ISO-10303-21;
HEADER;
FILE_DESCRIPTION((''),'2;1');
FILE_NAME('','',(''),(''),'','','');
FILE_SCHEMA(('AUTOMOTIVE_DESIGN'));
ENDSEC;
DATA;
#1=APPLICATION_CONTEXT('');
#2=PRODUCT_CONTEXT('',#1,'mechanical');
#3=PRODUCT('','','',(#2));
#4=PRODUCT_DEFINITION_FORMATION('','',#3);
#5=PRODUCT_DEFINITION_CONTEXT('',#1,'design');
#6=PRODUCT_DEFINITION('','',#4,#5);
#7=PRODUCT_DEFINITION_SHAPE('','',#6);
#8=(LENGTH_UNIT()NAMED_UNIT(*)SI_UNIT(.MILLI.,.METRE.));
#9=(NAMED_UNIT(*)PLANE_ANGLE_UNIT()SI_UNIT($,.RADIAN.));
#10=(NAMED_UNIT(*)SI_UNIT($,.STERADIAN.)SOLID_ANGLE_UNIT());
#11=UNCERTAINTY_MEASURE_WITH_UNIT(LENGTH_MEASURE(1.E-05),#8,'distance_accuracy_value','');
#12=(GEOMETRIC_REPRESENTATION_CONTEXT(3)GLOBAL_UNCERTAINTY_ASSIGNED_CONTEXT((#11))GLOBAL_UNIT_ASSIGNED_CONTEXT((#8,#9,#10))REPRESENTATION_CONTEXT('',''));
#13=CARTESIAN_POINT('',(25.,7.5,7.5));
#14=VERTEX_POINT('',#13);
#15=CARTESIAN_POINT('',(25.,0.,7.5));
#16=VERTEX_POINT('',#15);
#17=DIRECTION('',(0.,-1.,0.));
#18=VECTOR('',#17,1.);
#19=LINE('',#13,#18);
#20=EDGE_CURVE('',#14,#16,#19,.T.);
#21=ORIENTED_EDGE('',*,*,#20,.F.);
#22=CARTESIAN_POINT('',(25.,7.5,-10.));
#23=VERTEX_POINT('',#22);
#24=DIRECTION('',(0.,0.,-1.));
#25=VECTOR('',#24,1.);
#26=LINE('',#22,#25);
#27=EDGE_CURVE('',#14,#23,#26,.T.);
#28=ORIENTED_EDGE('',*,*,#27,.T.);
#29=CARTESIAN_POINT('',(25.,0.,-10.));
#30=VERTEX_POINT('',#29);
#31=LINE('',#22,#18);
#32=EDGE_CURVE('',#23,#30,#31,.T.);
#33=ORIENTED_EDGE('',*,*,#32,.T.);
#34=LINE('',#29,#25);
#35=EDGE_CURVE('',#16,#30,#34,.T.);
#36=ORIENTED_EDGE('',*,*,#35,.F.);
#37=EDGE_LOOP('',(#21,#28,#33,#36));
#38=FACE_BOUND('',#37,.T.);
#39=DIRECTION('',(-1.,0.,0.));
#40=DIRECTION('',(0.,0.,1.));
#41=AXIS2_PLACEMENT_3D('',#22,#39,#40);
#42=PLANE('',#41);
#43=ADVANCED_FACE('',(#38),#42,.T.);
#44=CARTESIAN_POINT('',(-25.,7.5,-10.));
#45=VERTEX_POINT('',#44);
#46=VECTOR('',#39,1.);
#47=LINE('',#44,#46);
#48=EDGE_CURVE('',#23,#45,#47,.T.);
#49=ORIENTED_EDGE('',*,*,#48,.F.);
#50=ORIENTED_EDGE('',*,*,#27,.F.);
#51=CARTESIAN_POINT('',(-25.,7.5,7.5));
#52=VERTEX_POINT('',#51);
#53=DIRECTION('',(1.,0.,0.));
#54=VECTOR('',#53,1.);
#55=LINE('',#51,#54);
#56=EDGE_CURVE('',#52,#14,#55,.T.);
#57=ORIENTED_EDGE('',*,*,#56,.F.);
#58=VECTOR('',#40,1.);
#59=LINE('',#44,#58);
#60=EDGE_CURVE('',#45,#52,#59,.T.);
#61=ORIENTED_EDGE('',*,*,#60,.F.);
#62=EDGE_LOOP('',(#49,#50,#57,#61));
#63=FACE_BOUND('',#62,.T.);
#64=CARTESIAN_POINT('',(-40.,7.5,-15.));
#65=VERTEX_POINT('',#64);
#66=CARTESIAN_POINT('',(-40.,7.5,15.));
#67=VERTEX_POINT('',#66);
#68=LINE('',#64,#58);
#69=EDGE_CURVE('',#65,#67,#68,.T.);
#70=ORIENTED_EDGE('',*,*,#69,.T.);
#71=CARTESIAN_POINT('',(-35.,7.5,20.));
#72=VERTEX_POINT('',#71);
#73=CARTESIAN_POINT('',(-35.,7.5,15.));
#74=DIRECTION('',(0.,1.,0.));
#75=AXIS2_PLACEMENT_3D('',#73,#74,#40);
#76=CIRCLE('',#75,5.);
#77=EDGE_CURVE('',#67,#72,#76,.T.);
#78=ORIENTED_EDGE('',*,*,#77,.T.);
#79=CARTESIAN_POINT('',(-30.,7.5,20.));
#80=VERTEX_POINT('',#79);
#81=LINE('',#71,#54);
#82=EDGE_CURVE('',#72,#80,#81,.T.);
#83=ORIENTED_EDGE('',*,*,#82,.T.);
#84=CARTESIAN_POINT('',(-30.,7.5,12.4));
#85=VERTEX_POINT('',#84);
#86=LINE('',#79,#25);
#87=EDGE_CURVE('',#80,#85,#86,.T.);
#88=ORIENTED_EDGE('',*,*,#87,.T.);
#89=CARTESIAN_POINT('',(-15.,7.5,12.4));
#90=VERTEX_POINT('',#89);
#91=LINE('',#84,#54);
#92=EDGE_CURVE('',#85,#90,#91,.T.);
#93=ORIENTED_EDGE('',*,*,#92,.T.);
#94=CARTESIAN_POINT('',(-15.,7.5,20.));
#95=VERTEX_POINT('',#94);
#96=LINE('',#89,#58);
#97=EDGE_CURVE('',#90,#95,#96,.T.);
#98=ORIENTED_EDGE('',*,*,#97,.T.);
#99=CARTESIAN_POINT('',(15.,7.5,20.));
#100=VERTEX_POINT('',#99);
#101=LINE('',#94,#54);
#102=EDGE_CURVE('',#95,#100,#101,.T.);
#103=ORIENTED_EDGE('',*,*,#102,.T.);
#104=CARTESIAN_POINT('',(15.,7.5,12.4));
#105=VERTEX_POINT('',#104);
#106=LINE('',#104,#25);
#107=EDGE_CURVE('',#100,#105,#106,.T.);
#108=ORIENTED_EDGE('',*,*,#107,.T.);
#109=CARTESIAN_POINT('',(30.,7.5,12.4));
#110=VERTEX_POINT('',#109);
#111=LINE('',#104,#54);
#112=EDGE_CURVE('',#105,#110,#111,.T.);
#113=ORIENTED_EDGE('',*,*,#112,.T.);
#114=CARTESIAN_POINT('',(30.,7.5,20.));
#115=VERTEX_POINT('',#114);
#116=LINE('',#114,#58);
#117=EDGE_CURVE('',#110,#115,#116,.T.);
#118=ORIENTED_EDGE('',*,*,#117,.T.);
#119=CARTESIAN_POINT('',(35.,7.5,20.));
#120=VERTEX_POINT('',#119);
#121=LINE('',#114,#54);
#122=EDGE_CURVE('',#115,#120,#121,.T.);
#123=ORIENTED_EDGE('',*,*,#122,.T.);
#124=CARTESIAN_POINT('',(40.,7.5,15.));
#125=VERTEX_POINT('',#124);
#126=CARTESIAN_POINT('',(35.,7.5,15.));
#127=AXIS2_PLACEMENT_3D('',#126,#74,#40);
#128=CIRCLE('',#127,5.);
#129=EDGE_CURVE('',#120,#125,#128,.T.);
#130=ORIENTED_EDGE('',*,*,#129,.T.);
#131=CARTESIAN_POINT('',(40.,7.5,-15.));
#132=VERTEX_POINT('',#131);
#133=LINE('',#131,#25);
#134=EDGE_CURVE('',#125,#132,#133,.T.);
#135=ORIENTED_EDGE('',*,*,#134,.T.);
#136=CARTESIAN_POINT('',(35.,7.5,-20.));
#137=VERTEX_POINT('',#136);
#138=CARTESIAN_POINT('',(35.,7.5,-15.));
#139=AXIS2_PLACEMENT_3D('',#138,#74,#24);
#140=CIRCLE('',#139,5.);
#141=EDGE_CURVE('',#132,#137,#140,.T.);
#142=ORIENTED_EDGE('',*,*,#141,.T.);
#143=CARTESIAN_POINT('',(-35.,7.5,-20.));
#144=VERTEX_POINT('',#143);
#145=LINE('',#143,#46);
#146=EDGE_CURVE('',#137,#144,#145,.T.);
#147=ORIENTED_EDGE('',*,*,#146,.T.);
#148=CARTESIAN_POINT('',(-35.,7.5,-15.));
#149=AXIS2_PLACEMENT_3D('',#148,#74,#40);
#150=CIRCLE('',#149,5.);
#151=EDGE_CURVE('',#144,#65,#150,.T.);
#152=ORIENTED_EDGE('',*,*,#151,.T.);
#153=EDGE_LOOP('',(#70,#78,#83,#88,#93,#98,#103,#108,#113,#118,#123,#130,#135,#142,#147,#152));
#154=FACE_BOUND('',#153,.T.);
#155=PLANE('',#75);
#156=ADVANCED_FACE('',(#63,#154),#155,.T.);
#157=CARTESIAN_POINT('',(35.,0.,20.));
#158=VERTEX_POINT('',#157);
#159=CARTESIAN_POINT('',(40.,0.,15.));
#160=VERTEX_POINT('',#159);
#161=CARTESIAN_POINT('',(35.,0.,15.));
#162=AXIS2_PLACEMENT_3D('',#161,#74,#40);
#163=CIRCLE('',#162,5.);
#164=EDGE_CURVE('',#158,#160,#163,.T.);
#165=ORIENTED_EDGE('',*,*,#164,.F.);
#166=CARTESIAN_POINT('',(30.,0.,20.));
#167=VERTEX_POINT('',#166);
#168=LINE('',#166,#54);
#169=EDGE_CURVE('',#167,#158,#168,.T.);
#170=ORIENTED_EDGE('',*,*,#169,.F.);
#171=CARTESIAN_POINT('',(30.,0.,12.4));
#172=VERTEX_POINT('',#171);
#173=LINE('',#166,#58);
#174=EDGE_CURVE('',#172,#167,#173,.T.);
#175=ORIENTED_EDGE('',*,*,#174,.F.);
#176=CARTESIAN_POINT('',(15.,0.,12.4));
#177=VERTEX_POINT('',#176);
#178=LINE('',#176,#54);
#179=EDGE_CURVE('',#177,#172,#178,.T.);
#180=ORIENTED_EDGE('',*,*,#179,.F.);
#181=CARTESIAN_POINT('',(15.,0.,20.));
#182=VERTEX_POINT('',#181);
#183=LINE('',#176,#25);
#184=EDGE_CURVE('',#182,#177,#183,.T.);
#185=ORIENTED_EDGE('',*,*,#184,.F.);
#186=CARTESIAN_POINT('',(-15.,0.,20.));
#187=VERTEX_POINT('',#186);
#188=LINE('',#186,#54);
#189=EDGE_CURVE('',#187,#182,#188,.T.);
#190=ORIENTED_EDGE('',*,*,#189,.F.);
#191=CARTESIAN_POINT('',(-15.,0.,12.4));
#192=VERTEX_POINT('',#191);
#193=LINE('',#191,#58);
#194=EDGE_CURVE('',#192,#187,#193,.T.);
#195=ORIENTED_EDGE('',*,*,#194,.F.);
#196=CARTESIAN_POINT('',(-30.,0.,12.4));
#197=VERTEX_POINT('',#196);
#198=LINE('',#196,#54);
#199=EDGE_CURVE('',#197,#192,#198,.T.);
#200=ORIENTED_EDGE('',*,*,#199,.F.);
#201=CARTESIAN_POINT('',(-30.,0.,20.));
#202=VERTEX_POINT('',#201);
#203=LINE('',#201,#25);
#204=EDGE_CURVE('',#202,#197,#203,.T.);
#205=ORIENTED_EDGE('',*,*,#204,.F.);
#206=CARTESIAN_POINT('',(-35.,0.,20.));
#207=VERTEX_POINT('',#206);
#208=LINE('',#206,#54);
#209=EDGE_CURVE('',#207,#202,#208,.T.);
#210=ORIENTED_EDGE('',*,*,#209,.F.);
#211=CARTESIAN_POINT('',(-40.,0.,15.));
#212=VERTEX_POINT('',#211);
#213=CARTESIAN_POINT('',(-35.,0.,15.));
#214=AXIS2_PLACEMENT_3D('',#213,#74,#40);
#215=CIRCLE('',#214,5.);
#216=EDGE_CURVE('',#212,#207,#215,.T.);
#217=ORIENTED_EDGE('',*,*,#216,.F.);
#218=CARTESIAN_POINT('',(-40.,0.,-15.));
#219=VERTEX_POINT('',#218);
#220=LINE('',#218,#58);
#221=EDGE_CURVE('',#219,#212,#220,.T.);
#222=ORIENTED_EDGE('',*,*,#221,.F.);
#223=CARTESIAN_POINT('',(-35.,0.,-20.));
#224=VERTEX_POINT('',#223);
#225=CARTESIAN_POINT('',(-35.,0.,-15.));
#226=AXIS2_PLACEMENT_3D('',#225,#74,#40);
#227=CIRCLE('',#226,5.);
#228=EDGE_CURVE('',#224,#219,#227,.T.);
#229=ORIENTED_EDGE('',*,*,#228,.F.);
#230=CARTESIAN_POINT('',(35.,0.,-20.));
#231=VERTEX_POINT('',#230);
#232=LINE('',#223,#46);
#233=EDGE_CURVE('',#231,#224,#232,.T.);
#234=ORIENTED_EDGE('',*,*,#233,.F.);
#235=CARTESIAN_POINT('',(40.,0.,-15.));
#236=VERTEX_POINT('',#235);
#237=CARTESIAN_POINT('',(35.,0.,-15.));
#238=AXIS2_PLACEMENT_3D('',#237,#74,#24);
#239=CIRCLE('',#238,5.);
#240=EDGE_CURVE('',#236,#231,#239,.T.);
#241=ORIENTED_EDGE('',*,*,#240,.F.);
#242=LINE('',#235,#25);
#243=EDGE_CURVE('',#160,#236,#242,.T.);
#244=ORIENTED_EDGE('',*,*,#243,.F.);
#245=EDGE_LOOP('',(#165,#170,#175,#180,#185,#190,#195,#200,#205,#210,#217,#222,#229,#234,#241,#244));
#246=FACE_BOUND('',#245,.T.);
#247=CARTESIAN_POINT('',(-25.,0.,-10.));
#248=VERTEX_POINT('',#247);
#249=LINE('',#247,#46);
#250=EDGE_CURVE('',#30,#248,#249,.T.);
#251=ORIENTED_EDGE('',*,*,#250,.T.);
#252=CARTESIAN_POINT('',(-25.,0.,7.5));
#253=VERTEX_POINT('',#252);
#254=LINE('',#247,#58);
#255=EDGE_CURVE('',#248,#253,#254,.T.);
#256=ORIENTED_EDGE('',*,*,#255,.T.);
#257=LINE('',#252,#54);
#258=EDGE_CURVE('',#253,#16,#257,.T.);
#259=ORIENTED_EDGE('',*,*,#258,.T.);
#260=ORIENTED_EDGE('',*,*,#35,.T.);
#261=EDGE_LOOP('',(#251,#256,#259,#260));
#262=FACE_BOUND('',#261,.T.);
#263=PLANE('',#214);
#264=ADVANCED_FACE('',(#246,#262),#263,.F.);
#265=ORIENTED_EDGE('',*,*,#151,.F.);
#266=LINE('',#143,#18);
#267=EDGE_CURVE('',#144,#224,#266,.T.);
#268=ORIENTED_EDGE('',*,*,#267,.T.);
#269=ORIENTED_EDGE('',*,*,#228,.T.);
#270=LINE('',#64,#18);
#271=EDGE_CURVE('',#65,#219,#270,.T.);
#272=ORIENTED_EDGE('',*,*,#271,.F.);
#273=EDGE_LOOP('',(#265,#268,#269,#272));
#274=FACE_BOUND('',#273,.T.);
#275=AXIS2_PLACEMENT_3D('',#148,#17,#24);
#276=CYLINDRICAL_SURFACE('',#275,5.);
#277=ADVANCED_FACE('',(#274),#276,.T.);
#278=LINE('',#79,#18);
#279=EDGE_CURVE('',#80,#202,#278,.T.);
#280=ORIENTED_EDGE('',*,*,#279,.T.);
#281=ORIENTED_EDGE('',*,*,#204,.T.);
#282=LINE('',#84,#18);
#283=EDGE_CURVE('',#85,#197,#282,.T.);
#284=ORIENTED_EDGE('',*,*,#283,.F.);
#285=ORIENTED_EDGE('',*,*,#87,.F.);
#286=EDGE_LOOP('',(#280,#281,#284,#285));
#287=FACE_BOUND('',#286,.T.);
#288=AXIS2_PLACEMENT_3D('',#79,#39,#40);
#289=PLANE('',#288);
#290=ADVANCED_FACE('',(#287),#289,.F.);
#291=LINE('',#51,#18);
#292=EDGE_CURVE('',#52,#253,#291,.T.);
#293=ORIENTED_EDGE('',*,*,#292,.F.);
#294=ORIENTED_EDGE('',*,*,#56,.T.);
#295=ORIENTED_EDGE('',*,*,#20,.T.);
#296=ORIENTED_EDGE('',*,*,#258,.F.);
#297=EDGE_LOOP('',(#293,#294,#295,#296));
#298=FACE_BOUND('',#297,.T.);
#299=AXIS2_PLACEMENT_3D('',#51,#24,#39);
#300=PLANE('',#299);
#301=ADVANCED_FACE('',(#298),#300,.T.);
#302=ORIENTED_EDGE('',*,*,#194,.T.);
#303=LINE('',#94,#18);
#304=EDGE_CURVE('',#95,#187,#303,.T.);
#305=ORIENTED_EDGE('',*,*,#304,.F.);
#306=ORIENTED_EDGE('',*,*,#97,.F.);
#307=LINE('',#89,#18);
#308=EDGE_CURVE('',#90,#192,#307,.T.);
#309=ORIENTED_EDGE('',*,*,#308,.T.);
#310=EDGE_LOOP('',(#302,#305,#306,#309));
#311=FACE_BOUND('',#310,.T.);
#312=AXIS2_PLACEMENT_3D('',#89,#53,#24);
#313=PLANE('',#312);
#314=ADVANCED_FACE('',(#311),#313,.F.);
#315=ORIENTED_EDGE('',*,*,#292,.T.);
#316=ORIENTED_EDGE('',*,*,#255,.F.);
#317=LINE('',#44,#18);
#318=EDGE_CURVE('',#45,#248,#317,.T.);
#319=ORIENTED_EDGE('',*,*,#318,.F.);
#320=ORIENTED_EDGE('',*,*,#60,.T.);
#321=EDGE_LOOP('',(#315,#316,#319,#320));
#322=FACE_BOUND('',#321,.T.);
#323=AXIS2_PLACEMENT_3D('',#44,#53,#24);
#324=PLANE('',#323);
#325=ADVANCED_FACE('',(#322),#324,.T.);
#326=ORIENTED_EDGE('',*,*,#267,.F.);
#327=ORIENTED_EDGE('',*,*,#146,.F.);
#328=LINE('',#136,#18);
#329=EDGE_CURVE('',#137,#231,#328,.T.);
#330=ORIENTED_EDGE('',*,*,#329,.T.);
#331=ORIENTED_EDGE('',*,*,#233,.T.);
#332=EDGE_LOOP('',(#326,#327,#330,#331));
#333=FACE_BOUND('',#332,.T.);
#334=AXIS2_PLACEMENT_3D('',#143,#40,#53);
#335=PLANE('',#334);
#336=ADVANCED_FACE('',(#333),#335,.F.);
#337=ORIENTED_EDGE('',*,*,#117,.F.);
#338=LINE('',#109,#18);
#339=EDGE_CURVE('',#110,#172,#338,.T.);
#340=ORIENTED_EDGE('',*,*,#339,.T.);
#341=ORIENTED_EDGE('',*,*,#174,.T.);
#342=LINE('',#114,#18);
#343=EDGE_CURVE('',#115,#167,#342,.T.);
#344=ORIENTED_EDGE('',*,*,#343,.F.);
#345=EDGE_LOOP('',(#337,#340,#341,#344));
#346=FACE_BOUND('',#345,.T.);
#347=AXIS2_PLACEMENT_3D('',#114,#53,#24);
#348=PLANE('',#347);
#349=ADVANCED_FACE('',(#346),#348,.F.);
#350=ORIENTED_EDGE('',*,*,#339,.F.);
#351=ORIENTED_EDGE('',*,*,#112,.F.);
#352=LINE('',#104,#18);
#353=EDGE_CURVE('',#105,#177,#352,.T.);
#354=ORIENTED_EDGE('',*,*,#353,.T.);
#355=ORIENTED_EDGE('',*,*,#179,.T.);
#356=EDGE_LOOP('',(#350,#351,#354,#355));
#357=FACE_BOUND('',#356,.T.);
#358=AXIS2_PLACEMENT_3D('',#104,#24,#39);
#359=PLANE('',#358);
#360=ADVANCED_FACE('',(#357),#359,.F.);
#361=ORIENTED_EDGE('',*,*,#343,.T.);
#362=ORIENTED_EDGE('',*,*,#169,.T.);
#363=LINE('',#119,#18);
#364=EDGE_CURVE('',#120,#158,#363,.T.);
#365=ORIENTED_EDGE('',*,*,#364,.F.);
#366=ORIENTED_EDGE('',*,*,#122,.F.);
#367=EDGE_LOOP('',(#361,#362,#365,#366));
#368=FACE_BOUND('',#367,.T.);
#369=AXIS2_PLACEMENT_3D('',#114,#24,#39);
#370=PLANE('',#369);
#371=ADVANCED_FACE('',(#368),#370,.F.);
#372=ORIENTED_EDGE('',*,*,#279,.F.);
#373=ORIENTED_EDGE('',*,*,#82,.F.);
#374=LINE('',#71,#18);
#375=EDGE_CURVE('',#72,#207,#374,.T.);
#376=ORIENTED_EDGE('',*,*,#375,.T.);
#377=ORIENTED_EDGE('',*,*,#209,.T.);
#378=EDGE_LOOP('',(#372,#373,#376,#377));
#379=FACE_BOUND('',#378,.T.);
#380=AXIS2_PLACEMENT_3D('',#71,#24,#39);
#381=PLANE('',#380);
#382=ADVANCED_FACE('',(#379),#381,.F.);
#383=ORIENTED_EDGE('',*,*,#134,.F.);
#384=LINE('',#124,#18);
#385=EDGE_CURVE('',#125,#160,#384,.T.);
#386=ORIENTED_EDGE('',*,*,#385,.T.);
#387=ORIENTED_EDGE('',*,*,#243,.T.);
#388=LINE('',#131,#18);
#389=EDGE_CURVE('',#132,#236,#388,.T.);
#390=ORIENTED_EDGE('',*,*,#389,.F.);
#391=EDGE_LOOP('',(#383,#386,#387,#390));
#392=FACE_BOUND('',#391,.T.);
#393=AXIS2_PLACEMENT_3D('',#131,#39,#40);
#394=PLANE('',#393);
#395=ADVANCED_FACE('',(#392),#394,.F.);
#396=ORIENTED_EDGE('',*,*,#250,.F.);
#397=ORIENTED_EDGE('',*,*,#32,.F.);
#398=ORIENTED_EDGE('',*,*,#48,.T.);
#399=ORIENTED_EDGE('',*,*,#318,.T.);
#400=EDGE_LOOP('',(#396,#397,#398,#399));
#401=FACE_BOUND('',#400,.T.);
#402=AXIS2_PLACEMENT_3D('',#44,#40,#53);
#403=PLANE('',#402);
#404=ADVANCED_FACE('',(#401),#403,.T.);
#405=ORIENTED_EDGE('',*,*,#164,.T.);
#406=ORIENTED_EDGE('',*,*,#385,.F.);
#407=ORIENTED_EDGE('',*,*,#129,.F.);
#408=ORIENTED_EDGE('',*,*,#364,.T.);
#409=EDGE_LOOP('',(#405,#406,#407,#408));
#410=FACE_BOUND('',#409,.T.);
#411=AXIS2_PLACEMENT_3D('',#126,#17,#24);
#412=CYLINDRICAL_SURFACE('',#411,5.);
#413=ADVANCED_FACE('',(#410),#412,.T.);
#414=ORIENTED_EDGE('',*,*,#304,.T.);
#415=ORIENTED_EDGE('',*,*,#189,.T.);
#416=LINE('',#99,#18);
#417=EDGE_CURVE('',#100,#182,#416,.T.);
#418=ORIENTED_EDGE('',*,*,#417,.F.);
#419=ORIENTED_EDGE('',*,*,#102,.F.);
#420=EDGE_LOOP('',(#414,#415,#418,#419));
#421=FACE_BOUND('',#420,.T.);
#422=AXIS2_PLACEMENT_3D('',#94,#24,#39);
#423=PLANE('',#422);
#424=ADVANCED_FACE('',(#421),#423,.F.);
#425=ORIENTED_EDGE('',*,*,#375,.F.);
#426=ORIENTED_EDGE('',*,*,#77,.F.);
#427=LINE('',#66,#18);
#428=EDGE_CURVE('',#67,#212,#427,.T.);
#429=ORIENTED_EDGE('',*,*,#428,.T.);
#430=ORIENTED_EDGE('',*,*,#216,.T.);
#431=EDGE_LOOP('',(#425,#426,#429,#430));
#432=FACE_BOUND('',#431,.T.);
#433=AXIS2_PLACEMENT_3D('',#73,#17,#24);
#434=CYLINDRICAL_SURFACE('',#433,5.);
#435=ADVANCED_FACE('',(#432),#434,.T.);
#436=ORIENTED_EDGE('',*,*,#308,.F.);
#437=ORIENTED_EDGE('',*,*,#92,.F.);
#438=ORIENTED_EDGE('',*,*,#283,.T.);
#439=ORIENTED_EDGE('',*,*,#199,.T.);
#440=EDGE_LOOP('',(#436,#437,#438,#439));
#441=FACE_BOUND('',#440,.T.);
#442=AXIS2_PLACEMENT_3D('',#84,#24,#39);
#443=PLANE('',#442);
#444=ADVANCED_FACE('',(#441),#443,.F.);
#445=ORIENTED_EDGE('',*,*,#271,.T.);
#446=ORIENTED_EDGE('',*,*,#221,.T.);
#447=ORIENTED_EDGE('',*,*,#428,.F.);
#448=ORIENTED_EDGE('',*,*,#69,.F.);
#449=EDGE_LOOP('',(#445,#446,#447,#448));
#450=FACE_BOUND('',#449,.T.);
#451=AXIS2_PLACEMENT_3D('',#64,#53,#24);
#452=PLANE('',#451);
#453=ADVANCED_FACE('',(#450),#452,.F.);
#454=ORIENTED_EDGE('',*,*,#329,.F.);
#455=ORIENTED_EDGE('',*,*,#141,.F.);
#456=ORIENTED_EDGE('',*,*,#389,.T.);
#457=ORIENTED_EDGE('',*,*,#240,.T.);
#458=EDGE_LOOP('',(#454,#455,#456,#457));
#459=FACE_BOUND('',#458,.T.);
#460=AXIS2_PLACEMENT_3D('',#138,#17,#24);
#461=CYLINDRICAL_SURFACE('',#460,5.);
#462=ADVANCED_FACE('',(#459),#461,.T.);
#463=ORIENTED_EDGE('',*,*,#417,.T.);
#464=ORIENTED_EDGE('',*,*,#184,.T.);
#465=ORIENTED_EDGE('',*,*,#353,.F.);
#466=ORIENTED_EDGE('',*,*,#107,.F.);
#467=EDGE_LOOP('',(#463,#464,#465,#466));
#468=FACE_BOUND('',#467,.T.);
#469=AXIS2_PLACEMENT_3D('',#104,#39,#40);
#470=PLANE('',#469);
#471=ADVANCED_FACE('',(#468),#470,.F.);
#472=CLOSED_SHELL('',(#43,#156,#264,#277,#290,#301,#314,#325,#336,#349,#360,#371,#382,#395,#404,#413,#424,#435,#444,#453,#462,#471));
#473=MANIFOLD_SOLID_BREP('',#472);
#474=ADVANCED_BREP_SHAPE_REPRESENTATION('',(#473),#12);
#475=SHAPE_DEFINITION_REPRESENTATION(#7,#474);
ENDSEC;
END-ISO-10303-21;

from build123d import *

# Parameters (mm, degrees)
SKETCH1_W           = 50
SKETCH1_H           = 17.5
BOSS_EXTRUDE1_DEPTH = 7.5


with BuildPart() as part:
    # Sketch1 → Boss-Extrude1 (new body)
    with BuildSketch(Plane(origin=(0, 0, 0), x_dir=(1, 0, 0), z_dir=(0, 1, 0))):
        with BuildLine():
            Line((15, -20), (15, -12.4))
            Line((15, -12.4), (30, -12.4))
            Line((30, -12.4), (30, -20))
            Line((30, -20), (35, -20))
            ThreePointArc((35, -20), (38.535533906, -18.535533906), (40, -15))
            Line((40, -15), (40, 15))
            ThreePointArc((40, 15), (38.535533906, 18.535533906), (35, 20))
            Line((35, 20), (-35, 20))
            ThreePointArc((-35, 20), (-38.535533906, 18.535533906), (-40, 15))
            Line((-40, 15), (-40, -15))
            ThreePointArc((-40, -15), (-38.535533906, -18.535533906), (-35, -20))
            Line((-35, -20), (-30, -20))
            Line((-30, -20), (-30, -12.4))
            Line((-30, -12.4), (-15, -12.4))
            Line((-15, -12.4), (-15, -20))
            Line((-15, -20), (15, -20))
        make_face()
        with Locations((0, 1.25)):
            Rectangle(SKETCH1_W, SKETCH1_H, mode=Mode.SUBTRACT)
    extrude(amount=BOSS_EXTRUDE1_DEPTH)


solid = part.part
